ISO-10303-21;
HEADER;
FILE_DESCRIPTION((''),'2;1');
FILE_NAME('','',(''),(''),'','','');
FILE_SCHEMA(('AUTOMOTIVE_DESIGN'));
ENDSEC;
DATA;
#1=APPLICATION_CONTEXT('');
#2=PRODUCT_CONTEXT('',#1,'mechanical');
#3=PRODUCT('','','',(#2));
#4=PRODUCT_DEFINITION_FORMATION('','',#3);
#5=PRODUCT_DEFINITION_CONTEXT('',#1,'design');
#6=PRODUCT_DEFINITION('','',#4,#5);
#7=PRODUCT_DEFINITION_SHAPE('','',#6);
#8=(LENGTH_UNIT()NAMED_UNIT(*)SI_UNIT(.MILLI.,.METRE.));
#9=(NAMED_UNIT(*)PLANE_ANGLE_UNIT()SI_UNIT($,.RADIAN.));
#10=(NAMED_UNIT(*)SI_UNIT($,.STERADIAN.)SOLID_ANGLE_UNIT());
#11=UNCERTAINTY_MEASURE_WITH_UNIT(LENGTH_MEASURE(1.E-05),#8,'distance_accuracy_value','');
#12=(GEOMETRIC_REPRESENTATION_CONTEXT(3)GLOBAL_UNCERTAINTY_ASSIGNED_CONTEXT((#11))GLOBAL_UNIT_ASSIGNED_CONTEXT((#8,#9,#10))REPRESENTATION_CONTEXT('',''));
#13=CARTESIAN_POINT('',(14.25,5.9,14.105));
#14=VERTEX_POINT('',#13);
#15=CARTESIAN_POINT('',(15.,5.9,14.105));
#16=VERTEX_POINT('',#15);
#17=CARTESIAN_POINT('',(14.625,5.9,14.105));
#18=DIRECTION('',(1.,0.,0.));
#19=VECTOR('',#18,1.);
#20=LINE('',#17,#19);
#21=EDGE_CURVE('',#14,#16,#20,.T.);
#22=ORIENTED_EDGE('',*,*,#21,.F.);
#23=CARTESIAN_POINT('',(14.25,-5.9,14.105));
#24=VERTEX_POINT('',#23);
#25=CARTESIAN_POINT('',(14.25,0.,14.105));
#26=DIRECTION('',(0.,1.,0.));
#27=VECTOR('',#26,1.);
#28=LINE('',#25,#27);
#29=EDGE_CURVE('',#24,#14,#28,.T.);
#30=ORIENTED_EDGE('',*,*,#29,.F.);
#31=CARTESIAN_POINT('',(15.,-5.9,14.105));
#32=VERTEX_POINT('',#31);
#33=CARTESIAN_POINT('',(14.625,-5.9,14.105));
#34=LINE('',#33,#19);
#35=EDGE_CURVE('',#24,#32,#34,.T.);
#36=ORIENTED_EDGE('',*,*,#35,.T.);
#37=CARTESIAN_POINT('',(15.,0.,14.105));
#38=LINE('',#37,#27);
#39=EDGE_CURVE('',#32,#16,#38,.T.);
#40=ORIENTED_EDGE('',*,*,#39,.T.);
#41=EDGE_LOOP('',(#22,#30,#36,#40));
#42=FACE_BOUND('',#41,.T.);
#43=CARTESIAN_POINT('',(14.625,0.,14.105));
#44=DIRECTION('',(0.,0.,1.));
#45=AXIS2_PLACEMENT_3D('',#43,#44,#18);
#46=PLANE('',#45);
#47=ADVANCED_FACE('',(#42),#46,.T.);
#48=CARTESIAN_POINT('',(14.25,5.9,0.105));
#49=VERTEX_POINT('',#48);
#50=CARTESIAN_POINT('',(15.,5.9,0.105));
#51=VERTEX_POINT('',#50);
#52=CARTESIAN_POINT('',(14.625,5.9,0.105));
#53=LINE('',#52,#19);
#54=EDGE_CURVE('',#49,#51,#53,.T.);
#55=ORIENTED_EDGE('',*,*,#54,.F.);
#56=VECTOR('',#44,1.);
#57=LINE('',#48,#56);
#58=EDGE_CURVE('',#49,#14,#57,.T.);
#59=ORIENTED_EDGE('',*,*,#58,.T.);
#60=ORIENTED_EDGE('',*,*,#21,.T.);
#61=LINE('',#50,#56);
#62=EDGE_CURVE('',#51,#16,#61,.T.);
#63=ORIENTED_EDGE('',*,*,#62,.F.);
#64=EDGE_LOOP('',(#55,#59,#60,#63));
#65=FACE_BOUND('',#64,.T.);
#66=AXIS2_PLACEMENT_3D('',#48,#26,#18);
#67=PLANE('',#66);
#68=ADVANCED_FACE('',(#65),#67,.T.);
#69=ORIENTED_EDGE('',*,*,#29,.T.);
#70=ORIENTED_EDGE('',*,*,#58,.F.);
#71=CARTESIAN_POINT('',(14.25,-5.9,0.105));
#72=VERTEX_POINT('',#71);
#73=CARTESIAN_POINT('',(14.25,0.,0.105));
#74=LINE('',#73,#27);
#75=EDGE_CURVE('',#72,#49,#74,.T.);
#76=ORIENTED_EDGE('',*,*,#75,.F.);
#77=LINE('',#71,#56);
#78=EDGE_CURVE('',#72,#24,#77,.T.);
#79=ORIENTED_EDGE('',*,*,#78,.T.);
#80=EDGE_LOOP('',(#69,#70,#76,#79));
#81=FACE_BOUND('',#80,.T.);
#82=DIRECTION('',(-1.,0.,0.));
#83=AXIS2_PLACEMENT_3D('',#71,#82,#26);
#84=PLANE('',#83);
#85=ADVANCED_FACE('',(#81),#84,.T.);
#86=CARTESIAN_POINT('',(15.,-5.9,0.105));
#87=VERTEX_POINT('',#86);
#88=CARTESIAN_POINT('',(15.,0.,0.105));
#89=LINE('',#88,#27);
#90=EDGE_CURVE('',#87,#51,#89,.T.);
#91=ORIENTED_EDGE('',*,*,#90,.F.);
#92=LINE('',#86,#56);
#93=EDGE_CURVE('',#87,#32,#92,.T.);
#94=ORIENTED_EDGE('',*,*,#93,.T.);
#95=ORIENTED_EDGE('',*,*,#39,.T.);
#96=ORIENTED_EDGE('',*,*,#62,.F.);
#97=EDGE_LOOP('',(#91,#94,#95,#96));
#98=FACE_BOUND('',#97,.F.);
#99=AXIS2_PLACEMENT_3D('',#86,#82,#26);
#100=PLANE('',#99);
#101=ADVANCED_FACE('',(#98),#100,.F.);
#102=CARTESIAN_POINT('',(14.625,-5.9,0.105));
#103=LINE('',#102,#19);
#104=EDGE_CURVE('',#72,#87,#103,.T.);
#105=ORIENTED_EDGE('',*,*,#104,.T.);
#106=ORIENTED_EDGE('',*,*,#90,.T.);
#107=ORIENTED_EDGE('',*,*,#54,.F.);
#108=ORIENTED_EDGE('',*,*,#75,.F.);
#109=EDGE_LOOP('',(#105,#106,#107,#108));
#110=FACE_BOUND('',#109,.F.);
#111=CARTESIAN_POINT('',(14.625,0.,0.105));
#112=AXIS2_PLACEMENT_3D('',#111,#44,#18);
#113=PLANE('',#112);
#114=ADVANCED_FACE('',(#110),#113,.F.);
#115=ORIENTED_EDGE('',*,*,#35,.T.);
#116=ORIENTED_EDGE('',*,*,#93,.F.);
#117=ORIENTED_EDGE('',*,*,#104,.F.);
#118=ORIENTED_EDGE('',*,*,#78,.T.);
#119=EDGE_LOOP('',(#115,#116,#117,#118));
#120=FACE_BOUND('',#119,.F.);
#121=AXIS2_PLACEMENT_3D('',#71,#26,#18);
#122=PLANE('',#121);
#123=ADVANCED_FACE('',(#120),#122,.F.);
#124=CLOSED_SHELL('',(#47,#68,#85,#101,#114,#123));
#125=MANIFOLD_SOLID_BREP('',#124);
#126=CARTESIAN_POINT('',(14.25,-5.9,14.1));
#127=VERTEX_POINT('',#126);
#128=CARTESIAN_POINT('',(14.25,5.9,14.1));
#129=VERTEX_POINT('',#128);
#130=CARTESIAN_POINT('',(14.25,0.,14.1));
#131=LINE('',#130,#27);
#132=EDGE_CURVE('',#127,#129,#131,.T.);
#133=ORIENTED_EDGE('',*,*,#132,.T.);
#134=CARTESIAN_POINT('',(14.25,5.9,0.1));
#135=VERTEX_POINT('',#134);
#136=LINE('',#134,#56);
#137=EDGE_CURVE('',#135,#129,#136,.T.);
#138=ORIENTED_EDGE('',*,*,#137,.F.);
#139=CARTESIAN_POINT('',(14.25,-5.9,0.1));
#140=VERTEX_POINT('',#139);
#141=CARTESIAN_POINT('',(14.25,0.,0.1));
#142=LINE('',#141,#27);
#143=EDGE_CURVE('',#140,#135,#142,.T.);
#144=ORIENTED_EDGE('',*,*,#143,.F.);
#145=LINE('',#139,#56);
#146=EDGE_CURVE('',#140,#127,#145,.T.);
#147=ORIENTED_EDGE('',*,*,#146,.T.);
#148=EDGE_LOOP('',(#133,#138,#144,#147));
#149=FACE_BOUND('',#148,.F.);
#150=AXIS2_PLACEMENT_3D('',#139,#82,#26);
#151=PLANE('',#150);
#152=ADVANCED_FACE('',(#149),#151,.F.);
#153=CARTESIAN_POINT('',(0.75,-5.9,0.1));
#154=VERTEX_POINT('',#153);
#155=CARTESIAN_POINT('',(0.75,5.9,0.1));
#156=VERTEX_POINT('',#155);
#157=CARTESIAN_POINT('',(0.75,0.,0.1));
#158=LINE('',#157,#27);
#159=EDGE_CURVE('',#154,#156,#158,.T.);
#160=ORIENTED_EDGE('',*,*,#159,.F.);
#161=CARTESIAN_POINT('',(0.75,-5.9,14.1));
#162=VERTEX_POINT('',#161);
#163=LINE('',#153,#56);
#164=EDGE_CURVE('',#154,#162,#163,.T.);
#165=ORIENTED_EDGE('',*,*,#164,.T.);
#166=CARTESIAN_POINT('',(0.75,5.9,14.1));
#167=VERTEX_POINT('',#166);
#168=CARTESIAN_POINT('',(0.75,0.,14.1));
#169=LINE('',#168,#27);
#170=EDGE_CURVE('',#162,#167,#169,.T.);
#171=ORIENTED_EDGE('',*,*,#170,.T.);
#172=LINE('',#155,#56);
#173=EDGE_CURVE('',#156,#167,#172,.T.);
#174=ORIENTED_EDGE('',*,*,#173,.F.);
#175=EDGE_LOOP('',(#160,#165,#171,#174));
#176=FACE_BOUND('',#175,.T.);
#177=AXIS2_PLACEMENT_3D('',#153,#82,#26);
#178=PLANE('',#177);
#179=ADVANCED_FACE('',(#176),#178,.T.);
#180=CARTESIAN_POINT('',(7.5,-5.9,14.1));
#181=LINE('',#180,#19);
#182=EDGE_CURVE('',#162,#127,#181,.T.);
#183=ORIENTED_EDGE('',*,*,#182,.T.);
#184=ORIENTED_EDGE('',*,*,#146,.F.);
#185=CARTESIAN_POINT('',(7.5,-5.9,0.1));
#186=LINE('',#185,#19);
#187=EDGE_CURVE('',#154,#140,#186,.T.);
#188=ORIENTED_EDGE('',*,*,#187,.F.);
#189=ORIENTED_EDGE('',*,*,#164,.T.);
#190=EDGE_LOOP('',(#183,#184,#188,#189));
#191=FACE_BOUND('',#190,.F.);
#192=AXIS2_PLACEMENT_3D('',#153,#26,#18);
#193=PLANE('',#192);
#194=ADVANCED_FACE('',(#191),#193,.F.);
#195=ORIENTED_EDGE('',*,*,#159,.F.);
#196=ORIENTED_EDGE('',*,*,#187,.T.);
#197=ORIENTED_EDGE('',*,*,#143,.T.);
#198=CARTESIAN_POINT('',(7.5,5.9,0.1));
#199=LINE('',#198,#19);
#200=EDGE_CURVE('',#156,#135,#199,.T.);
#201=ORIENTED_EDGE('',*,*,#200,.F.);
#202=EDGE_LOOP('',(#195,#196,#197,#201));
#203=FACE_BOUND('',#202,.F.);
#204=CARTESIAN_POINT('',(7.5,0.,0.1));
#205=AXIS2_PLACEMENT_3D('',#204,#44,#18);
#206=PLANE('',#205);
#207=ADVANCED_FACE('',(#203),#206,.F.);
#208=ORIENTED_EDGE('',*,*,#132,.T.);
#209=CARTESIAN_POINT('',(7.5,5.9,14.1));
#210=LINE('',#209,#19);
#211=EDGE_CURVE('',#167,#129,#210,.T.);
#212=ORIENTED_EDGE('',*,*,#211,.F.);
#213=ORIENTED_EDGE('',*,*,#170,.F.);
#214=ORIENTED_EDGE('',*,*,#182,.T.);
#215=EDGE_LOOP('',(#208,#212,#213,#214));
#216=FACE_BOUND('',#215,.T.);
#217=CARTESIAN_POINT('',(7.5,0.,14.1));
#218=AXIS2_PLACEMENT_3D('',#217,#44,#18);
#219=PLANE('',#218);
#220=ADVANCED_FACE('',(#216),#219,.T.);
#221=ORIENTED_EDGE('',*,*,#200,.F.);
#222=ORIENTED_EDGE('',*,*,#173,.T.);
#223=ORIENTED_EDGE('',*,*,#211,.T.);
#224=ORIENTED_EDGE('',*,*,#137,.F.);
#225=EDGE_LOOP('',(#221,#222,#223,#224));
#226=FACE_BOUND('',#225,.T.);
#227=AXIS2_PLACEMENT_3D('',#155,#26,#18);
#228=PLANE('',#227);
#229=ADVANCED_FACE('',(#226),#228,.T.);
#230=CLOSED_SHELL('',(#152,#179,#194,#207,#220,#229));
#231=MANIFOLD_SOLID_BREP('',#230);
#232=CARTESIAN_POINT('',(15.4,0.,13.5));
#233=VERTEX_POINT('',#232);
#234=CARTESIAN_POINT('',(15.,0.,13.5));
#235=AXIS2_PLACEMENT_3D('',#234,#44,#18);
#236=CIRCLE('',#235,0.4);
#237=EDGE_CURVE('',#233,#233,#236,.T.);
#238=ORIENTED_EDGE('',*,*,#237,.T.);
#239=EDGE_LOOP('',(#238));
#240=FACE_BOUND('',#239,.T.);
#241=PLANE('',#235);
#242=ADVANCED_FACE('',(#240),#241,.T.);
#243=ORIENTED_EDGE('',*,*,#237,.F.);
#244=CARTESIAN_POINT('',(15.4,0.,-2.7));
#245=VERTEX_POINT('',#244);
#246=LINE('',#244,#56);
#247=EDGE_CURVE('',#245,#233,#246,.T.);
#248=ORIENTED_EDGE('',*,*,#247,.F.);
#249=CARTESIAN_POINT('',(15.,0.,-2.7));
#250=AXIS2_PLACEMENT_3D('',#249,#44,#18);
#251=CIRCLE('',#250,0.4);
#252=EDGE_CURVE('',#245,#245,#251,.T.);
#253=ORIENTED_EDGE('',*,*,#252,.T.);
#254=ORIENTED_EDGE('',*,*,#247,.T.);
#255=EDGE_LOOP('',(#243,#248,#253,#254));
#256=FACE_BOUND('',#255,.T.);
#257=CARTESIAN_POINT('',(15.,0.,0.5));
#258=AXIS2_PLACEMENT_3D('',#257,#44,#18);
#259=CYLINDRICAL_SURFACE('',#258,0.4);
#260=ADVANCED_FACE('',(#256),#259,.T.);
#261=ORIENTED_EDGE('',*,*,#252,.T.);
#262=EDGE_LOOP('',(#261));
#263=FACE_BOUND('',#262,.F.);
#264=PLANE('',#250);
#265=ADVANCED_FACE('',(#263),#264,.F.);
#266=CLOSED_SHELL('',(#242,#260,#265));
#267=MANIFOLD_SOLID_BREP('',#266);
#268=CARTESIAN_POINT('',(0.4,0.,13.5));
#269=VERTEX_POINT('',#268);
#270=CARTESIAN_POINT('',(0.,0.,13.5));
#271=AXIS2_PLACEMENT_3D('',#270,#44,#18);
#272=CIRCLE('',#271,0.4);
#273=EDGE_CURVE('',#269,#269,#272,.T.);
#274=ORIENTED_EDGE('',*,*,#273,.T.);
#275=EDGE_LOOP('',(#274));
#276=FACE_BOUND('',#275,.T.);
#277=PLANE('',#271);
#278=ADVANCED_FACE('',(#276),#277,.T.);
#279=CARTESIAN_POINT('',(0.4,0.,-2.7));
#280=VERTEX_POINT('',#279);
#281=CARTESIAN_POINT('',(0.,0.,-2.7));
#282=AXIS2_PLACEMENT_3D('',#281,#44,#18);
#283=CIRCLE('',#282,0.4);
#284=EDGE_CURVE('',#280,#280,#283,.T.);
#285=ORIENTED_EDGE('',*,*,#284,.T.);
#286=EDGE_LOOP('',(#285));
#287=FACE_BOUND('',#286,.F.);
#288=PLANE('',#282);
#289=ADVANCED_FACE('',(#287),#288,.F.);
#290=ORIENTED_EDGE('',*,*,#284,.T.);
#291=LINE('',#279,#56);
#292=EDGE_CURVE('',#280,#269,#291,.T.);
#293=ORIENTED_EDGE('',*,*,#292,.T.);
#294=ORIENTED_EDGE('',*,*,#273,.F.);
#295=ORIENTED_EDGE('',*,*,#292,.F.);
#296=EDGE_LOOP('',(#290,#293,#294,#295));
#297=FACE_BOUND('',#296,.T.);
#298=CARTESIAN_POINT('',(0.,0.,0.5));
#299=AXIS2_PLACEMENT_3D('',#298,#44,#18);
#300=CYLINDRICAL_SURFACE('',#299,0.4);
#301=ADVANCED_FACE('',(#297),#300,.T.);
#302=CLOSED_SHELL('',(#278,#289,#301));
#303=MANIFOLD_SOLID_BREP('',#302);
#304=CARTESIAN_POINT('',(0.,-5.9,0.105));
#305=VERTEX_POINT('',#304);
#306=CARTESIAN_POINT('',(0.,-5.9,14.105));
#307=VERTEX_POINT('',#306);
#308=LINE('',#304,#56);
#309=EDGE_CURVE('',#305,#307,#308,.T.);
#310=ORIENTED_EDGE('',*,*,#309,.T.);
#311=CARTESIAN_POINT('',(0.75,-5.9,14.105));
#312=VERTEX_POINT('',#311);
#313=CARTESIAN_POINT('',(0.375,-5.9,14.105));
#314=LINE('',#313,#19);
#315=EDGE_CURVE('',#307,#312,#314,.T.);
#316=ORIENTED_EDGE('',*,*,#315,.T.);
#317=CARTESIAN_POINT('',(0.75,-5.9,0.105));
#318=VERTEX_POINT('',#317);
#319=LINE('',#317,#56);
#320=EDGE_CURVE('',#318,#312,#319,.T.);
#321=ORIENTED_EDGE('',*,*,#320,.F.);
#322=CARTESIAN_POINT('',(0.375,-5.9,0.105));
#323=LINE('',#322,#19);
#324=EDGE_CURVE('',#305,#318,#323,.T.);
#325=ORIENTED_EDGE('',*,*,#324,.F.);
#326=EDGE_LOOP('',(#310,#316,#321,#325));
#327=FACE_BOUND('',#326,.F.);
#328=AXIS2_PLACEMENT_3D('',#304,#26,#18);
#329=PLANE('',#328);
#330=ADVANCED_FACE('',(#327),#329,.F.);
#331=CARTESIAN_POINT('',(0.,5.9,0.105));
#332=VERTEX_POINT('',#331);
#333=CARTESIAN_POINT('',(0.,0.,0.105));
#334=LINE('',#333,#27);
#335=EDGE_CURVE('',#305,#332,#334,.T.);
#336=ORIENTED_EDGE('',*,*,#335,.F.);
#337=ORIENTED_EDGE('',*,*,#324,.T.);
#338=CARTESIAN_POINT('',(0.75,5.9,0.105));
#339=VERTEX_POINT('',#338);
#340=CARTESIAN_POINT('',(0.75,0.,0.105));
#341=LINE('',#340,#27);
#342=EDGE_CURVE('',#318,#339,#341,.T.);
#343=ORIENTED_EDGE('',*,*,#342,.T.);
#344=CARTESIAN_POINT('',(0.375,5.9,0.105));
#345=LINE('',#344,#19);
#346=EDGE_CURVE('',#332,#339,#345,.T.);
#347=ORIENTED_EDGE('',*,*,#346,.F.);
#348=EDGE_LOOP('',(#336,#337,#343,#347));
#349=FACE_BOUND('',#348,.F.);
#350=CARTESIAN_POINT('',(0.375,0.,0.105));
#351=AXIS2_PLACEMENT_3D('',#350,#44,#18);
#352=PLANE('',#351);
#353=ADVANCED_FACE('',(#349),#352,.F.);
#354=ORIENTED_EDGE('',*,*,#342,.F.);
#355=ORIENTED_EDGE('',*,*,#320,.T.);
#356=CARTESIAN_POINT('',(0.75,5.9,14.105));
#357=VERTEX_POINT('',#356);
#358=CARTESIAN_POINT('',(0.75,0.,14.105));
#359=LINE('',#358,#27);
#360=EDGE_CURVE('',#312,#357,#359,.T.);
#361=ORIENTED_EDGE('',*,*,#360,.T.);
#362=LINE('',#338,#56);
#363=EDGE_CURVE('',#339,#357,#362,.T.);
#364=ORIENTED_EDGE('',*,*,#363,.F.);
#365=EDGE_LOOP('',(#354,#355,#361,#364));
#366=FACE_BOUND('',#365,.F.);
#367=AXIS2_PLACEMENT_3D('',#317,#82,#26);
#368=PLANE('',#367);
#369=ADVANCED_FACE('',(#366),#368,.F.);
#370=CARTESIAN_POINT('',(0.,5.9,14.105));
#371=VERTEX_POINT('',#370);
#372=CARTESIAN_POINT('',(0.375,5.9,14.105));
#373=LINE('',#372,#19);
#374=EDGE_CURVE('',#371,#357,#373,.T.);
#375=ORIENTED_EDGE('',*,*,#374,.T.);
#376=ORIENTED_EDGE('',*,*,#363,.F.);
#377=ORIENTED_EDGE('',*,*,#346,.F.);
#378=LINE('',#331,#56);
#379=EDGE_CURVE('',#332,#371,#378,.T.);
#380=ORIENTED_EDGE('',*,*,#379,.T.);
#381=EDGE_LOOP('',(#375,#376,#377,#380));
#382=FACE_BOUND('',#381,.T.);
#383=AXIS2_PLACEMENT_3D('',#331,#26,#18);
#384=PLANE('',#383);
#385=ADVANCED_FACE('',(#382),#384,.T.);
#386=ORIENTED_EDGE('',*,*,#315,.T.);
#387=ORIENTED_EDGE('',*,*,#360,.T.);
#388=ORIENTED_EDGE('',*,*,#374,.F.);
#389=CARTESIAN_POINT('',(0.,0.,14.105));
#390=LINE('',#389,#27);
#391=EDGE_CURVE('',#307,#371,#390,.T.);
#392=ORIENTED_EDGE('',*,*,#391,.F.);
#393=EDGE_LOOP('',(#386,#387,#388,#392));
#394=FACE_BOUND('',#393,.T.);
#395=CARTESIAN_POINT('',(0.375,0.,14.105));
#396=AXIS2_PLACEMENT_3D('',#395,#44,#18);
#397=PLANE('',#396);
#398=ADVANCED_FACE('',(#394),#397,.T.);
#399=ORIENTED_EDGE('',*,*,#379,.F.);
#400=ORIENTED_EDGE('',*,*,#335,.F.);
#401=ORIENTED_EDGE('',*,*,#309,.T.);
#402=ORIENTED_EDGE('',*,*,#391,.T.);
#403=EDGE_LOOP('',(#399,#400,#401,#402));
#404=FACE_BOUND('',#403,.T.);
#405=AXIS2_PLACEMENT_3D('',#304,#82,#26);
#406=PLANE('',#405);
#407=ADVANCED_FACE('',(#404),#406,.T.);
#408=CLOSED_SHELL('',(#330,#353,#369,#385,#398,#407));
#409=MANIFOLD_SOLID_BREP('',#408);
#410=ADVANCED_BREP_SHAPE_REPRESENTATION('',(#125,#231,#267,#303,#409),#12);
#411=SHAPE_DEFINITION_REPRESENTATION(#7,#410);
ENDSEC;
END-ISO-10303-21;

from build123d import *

# Parameters (mm, degrees)
SKETCH_W          = 13.5
SKETCH_H          = 11.8
PAD_DEPTH         = 14
SKETCH001_R       = 0.4
PAD001_DEPTH      = 13
PAD001_DEPTH_BACK = 3.2
SKETCH002_W       = 0.75
SKETCH002_H       = 11.8
PAD002_DEPTH      = 14


with BuildPart() as pad:
    # Sketch → Pad (new body)
    with BuildSketch(Plane.XY.offset(0.1)):
        with Locations((7.5, 0)):
            Rectangle(SKETCH_W, SKETCH_H)
    extrude(amount=PAD_DEPTH)


with BuildPart() as pad001:
    # Sketch001 → Pad001 (new body, two sides)
    with BuildSketch(Plane.XY.offset(0.5)) as pad001_sk:
        Circle(SKETCH001_R)
        with Locations((15, 0)):
            Circle(SKETCH001_R)
    extrude(amount=PAD001_DEPTH)
    extrude(pad001_sk.sketch, amount=-PAD001_DEPTH_BACK)


with BuildPart() as pad002:
    # Sketch002 → Pad002 (new body)
    with BuildSketch(Plane.XY.offset(0.105)):
        with Locations((0.375, 0)):
            Rectangle(SKETCH002_W, SKETCH002_H)
        with Locations((14.625, 0)):
            Rectangle(SKETCH002_W, SKETCH002_H)
    extrude(amount=PAD002_DEPTH)


solid = Compound([pad.part, pad001.part, pad002.part])
